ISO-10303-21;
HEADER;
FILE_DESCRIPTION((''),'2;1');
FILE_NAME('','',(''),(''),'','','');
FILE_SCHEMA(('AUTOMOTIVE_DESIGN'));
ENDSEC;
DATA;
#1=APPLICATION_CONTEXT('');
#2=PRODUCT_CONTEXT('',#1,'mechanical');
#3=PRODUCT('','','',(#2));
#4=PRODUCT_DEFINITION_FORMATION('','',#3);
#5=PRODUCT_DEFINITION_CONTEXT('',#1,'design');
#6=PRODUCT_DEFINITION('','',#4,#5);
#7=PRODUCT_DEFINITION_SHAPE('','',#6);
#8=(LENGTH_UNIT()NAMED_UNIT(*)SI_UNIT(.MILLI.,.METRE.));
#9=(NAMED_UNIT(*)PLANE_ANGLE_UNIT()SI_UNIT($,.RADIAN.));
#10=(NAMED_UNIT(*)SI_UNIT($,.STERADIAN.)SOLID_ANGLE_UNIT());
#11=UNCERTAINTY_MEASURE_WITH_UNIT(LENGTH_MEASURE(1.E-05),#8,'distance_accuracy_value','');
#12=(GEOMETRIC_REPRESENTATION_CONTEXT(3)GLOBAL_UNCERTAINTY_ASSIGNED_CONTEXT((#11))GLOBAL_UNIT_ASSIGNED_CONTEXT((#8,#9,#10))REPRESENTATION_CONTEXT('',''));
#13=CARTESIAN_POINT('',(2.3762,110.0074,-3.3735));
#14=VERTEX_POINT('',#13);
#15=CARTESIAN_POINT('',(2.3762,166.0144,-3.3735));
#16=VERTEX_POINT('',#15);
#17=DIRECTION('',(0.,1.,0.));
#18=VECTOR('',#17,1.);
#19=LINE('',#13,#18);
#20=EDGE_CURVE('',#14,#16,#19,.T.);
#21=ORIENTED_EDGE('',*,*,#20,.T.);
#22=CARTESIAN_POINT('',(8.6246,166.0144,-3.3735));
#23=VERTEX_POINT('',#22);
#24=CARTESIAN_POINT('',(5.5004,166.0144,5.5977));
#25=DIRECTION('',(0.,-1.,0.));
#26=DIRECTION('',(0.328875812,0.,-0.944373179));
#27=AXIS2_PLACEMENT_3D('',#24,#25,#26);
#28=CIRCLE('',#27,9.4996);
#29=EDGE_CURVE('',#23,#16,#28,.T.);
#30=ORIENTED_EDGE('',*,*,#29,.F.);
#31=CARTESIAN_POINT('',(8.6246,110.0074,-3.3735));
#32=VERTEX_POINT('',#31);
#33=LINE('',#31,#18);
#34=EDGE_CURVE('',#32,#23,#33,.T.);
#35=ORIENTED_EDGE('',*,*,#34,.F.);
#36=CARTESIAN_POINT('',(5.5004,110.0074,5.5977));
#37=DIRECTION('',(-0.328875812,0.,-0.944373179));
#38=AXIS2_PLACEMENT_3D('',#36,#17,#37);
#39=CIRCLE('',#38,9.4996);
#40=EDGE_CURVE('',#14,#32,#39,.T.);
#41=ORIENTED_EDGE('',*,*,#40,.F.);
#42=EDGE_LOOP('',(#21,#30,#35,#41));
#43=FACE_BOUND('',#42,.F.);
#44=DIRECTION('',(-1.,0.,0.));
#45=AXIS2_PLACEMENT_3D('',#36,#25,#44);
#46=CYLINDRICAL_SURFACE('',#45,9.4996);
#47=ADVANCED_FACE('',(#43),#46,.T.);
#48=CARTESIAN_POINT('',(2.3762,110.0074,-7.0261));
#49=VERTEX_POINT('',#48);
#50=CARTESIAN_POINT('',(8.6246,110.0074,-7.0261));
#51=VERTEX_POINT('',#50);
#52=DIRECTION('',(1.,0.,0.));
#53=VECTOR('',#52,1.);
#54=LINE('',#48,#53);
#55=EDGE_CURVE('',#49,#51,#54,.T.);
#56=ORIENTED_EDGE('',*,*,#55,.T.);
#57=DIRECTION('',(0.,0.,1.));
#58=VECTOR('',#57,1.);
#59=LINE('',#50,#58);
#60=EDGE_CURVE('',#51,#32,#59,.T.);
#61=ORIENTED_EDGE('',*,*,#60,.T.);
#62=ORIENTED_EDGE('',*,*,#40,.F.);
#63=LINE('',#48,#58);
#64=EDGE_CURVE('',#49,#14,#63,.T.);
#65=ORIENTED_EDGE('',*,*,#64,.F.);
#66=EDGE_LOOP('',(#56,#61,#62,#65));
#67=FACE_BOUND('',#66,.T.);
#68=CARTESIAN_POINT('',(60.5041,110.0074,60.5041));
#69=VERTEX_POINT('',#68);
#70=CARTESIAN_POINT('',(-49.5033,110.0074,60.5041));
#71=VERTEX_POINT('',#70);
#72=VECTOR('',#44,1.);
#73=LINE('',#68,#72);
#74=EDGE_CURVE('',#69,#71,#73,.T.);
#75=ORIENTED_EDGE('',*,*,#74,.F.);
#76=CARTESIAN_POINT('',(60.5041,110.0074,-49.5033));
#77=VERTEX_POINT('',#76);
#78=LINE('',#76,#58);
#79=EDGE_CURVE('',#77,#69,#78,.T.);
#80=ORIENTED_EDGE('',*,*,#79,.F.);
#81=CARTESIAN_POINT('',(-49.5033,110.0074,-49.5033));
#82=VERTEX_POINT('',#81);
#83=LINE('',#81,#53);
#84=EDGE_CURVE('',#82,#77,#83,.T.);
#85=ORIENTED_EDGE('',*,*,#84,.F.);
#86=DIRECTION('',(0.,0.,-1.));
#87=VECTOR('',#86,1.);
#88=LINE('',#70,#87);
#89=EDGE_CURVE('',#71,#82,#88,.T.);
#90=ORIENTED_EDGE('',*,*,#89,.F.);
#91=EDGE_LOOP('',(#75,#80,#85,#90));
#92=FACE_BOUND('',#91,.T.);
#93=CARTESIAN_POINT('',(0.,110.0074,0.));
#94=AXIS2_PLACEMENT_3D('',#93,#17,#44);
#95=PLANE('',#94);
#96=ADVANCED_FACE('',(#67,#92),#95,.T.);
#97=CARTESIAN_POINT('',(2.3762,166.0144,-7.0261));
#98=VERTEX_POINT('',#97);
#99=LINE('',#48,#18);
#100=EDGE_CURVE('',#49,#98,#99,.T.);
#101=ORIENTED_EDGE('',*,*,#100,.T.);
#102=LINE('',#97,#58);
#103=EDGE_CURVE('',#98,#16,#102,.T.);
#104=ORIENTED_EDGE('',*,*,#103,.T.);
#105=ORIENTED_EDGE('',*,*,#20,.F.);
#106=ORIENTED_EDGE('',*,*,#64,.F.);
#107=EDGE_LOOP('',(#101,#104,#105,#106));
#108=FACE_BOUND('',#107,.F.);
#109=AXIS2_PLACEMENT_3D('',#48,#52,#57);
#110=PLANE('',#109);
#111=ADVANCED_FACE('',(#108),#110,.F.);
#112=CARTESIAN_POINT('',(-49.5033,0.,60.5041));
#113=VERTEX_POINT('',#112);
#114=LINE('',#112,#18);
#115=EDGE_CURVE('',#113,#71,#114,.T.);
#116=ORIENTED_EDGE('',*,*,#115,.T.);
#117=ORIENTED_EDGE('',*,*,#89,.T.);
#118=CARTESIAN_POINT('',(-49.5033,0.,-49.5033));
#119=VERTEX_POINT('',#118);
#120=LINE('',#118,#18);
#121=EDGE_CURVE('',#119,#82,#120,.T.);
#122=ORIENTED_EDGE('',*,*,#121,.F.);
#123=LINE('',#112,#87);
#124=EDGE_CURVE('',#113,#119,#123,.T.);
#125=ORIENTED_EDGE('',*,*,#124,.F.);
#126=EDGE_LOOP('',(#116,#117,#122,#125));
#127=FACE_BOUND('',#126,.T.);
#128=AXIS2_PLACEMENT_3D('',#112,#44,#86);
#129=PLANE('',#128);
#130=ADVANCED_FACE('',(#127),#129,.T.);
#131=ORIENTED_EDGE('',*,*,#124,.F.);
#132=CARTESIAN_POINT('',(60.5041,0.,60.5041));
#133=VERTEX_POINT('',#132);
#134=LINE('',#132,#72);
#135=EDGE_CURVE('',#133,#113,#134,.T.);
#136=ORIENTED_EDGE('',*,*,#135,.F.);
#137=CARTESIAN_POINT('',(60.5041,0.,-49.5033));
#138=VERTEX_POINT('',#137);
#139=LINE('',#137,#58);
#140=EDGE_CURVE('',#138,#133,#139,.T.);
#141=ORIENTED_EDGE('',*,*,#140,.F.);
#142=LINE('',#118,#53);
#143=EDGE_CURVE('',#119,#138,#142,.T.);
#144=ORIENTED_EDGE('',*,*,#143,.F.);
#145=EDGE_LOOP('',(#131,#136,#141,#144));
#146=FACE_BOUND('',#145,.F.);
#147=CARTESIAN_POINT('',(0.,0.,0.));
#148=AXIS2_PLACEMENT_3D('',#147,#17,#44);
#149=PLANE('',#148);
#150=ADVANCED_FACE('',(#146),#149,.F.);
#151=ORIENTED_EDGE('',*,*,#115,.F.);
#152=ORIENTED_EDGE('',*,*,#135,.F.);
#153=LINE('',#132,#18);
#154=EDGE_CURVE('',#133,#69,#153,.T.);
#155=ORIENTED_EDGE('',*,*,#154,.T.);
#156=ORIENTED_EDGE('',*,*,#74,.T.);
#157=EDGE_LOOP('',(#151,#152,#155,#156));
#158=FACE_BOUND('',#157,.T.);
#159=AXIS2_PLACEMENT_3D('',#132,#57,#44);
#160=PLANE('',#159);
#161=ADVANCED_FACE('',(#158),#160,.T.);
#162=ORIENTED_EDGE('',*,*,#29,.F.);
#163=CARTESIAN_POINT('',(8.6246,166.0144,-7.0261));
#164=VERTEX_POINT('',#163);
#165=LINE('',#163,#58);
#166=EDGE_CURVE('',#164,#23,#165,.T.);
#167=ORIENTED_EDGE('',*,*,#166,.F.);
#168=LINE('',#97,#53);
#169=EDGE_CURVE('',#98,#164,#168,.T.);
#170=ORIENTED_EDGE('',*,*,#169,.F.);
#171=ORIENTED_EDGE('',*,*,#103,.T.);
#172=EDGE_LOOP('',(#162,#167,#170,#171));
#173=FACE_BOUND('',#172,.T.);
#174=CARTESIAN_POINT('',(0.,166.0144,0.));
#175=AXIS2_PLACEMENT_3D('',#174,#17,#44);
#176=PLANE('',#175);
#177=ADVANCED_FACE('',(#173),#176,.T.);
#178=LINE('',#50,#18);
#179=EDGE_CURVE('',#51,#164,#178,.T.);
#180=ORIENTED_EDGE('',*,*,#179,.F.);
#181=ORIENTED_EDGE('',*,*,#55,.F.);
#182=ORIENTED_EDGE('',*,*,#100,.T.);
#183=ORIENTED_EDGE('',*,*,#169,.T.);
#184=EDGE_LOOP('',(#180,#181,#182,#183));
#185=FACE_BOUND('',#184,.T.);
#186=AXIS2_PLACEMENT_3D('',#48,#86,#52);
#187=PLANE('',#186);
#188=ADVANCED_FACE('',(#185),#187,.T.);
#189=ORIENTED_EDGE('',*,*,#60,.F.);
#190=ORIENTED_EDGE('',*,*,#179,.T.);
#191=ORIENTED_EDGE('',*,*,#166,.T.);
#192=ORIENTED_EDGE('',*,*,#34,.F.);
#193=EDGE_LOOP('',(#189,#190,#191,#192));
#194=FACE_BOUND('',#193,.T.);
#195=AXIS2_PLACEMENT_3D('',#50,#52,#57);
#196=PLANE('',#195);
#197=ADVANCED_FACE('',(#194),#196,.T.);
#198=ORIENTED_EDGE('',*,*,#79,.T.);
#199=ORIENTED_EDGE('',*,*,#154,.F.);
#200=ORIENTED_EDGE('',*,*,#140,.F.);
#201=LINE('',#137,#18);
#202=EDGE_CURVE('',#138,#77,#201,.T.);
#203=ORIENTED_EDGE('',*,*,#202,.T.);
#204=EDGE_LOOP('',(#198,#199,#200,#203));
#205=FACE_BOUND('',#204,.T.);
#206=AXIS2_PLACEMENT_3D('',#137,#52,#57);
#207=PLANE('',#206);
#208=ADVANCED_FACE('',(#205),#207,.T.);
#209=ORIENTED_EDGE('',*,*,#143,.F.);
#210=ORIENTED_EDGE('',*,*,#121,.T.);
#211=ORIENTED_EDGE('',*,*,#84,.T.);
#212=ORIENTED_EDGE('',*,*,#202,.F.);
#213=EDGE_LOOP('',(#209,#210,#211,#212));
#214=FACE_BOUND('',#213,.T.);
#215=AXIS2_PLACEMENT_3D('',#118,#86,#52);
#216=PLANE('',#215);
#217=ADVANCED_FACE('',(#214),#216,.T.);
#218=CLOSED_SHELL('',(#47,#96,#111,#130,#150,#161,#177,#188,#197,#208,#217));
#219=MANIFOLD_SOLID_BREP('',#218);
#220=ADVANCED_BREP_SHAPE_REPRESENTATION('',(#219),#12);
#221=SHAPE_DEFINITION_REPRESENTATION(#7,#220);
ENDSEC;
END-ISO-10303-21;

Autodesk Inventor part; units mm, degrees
ref_plane "YZ Plane" through (0, 0, 0) normal (1, 0, 0) x (0, 1, 0)
ref_plane "XY Plane" through (0, 0, 0) normal (0, 0, 1) x (1, 0, 0)
sketch "Sketch1" plane through (0, 0, 0) normal (0, 1, 0) x (-1, 0, 0)
  line L0 (49.5033, -49.5033) -> (-60.5041, -49.5033)
  line L1 (-60.5041, -49.5033) -> (-60.5041, 60.5041)
  line L2 (-60.5041, 60.5041) -> (49.5033, 60.5041)
  line L3 (49.5033, 60.5041) -> (49.5033, -49.5033)
  point P0 (0, 0)
  dimension "d0" = 110.0074
extrude "Extrusion1" add sketch "Sketch1" along normal blind 110.0074
ref_plane "Work Plane1" through (0, 110.0074, 0) normal (0, 1, 0) x (-1, 0, 0)
sketch "Sketch2" plane through (0, 110.0074, 0) normal (0, 1, 0) x (-1, 0, 0)
  circle A0 centre (-5.5004, 5.5977) radius 9.4996
  line L0 (-60.5041, 60.5041) -> (-60.5041, -49.5033) projected
  line L1 (49.5033, -49.5033) -> (49.5033, 60.5041) projected
  line L2 (-2.3762, -7.0261) -> (-8.6246, -7.0261)
  line L3 (-8.6246, -7.0261) -> (-8.6246, -3.3735)
  line L4 (-2.3762, -7.0261) -> (-2.3762, -3.3735)
  point P0 (0, 0)
  dimension "d4" = 18.9992
  dimension "d5" = 55.0037
  dimension "d8" = 6.2484
  dimension "d9" = 3.1242
extrude "Extrusion2" add sketch "Sketch2" along normal blind 56.007
properties part number "MainMotor"
